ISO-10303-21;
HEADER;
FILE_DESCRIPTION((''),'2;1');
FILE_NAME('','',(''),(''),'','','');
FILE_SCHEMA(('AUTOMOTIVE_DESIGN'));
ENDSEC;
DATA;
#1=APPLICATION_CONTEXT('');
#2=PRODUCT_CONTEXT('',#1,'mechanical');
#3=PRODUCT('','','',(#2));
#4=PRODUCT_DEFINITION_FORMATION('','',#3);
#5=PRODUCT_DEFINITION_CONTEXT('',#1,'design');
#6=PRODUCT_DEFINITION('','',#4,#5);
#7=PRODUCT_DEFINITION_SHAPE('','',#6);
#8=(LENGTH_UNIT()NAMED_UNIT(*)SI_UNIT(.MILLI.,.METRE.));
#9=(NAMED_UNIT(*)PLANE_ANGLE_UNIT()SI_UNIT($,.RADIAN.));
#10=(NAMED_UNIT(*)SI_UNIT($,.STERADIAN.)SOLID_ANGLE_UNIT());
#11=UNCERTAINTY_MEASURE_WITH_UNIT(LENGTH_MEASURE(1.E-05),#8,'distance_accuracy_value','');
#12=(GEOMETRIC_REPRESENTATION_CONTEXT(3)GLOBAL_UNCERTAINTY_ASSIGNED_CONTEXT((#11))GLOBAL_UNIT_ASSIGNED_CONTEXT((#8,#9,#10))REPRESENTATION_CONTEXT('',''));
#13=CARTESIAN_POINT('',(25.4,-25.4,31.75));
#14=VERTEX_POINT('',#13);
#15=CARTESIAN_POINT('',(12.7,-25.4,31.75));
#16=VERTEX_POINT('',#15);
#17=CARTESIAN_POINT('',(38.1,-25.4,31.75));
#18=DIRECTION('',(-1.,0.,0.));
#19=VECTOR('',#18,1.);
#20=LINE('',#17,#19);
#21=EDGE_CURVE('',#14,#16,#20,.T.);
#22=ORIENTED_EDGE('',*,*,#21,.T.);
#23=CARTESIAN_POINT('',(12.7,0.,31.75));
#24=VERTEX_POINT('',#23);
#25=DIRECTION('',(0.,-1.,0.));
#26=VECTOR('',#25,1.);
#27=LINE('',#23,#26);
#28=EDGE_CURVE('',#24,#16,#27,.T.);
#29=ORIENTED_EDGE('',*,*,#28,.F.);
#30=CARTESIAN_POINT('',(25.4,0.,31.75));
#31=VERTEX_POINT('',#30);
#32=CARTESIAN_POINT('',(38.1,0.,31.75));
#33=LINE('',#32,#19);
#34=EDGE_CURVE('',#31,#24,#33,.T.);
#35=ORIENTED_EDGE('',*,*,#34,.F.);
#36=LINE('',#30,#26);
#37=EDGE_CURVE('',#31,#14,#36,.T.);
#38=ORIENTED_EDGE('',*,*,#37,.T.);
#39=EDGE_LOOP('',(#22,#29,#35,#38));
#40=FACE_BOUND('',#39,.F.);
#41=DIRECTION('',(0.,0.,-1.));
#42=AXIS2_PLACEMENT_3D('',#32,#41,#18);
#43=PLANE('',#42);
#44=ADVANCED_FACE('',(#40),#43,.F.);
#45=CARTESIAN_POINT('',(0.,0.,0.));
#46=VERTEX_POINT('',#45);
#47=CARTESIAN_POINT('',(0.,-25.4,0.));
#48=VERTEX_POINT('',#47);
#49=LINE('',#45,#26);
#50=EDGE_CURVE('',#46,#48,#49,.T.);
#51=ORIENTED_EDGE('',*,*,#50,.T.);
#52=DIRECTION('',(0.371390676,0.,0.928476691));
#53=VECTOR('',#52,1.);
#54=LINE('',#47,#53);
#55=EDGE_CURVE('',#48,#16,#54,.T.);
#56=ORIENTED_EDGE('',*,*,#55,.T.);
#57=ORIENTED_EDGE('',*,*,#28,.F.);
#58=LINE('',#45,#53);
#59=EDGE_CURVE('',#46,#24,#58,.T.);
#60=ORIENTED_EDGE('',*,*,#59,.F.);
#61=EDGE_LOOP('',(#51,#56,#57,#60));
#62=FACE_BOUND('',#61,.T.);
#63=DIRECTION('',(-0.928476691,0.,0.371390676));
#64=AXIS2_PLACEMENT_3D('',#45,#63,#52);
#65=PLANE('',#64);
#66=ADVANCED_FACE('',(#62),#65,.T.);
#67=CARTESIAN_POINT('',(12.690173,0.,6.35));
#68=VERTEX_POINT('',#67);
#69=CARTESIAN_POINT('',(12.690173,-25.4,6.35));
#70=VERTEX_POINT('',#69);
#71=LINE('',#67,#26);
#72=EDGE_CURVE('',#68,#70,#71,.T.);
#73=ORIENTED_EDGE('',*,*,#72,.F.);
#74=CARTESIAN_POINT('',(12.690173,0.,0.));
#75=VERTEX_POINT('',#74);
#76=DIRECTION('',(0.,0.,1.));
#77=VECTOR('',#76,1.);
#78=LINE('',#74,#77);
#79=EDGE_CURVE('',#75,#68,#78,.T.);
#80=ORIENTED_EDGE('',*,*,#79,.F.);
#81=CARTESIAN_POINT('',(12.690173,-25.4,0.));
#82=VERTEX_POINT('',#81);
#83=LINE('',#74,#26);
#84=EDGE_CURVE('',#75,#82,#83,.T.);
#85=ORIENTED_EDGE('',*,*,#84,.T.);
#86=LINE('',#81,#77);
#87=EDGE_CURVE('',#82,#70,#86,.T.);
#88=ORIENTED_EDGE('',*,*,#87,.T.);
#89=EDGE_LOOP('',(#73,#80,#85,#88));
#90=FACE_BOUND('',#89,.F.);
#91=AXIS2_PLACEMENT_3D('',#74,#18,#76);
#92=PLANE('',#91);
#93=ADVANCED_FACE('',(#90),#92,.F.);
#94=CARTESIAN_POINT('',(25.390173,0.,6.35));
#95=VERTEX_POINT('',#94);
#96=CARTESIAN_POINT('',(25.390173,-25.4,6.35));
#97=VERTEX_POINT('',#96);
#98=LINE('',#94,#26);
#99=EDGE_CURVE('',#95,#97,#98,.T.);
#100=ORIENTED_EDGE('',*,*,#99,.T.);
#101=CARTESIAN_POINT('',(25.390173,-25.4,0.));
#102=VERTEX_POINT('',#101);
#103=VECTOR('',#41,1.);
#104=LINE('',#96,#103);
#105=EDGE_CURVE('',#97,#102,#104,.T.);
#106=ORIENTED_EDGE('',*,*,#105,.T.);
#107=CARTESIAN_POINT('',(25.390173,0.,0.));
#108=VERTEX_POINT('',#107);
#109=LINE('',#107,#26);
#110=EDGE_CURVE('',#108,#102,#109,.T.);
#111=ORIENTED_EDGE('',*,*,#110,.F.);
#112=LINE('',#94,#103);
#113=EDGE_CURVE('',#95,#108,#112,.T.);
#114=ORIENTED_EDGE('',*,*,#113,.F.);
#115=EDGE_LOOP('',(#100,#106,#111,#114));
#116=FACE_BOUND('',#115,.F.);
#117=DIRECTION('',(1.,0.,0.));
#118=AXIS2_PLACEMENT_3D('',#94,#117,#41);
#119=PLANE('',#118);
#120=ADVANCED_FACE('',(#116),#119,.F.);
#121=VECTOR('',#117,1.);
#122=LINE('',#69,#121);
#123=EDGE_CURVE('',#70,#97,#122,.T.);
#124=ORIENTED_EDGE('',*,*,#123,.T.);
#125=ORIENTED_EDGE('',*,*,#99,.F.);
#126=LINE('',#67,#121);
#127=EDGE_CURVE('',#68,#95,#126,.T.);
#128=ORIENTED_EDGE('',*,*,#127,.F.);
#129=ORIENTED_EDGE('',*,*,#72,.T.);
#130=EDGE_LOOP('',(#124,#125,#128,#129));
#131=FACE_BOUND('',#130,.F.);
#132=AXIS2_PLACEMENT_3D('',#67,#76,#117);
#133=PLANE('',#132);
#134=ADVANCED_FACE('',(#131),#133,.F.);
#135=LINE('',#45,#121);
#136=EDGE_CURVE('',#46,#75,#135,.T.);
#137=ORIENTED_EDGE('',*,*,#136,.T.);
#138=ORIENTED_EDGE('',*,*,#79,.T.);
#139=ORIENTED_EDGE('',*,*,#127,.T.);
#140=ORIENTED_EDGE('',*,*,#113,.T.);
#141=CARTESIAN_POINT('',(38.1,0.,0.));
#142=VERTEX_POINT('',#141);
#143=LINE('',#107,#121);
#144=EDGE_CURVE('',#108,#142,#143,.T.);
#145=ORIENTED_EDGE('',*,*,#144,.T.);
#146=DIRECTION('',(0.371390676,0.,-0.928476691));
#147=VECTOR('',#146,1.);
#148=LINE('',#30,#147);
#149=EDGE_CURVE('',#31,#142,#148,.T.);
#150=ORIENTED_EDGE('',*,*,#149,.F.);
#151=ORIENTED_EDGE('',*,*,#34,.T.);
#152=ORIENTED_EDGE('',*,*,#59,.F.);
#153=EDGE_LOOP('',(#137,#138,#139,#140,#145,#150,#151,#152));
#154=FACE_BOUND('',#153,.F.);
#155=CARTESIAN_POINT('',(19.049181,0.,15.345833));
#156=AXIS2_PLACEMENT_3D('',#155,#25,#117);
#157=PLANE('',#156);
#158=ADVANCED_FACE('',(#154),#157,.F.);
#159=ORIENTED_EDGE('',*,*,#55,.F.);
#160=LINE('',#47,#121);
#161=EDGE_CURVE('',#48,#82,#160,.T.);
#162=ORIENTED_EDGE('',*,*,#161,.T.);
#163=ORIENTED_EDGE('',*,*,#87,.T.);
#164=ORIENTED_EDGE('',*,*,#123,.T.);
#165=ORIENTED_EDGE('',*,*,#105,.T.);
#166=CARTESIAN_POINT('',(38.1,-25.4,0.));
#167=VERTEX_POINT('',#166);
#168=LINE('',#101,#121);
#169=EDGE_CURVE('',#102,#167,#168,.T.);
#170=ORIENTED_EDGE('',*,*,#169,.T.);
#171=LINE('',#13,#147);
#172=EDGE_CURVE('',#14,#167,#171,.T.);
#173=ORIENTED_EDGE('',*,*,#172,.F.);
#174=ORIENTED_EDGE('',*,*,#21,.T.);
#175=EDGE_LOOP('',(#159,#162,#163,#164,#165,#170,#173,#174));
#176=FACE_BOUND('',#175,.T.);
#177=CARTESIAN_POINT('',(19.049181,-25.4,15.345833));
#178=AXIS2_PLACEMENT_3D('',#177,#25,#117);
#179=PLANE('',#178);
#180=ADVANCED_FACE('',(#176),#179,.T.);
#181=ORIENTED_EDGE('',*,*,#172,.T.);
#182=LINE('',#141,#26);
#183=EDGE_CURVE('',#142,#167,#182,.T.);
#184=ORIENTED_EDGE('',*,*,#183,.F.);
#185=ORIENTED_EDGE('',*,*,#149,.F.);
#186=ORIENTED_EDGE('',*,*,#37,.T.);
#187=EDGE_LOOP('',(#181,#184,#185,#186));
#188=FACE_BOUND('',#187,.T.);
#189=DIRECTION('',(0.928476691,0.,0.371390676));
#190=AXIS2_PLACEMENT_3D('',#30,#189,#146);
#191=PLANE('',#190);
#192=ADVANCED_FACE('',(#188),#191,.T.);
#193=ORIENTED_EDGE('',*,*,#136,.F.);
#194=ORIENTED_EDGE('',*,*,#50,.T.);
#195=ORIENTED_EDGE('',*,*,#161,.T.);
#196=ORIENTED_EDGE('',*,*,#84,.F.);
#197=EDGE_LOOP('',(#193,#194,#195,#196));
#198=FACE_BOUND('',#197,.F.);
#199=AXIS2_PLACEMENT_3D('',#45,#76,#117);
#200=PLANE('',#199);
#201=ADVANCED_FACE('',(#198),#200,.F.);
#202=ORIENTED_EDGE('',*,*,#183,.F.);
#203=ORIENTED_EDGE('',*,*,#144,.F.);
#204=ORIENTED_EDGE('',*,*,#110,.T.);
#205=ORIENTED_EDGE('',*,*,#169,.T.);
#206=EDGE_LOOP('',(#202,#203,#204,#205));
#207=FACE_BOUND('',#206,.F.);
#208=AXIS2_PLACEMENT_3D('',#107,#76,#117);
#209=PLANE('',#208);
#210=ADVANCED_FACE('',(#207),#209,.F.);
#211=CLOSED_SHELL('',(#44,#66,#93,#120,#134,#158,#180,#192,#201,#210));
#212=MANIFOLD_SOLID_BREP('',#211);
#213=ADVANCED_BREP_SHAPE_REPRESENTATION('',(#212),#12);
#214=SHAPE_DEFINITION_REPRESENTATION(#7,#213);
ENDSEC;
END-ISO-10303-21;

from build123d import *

# Parameters (mm, degrees)
F1_DEPTH = 25.4
F3_DEPTH = 25.4


with BuildPart() as f1:
    # F0 (on Front) → F1 (new body)
    with BuildSketch(Plane.XZ):
        Polygon((0, 31.75), (0, 0), (12.690173, 0), (12.690173, 6.35), (25.390173, 6.35), (25.390173, 0), (38.1, 0), (38.1, 31.75), align=None)
    extrude(amount=F1_DEPTH)

    # F2 (on Front) → F3 (cut)
    with BuildSketch(Plane.XZ):
        Polygon((0, 31.75), (0, 0), (12.7, 31.75), align=None)
        Polygon((25.4, 31.75), (38.1, 0), (38.1, 31.75), align=None)
    extrude(amount=F3_DEPTH, mode=Mode.SUBTRACT)


solid = f1.part
